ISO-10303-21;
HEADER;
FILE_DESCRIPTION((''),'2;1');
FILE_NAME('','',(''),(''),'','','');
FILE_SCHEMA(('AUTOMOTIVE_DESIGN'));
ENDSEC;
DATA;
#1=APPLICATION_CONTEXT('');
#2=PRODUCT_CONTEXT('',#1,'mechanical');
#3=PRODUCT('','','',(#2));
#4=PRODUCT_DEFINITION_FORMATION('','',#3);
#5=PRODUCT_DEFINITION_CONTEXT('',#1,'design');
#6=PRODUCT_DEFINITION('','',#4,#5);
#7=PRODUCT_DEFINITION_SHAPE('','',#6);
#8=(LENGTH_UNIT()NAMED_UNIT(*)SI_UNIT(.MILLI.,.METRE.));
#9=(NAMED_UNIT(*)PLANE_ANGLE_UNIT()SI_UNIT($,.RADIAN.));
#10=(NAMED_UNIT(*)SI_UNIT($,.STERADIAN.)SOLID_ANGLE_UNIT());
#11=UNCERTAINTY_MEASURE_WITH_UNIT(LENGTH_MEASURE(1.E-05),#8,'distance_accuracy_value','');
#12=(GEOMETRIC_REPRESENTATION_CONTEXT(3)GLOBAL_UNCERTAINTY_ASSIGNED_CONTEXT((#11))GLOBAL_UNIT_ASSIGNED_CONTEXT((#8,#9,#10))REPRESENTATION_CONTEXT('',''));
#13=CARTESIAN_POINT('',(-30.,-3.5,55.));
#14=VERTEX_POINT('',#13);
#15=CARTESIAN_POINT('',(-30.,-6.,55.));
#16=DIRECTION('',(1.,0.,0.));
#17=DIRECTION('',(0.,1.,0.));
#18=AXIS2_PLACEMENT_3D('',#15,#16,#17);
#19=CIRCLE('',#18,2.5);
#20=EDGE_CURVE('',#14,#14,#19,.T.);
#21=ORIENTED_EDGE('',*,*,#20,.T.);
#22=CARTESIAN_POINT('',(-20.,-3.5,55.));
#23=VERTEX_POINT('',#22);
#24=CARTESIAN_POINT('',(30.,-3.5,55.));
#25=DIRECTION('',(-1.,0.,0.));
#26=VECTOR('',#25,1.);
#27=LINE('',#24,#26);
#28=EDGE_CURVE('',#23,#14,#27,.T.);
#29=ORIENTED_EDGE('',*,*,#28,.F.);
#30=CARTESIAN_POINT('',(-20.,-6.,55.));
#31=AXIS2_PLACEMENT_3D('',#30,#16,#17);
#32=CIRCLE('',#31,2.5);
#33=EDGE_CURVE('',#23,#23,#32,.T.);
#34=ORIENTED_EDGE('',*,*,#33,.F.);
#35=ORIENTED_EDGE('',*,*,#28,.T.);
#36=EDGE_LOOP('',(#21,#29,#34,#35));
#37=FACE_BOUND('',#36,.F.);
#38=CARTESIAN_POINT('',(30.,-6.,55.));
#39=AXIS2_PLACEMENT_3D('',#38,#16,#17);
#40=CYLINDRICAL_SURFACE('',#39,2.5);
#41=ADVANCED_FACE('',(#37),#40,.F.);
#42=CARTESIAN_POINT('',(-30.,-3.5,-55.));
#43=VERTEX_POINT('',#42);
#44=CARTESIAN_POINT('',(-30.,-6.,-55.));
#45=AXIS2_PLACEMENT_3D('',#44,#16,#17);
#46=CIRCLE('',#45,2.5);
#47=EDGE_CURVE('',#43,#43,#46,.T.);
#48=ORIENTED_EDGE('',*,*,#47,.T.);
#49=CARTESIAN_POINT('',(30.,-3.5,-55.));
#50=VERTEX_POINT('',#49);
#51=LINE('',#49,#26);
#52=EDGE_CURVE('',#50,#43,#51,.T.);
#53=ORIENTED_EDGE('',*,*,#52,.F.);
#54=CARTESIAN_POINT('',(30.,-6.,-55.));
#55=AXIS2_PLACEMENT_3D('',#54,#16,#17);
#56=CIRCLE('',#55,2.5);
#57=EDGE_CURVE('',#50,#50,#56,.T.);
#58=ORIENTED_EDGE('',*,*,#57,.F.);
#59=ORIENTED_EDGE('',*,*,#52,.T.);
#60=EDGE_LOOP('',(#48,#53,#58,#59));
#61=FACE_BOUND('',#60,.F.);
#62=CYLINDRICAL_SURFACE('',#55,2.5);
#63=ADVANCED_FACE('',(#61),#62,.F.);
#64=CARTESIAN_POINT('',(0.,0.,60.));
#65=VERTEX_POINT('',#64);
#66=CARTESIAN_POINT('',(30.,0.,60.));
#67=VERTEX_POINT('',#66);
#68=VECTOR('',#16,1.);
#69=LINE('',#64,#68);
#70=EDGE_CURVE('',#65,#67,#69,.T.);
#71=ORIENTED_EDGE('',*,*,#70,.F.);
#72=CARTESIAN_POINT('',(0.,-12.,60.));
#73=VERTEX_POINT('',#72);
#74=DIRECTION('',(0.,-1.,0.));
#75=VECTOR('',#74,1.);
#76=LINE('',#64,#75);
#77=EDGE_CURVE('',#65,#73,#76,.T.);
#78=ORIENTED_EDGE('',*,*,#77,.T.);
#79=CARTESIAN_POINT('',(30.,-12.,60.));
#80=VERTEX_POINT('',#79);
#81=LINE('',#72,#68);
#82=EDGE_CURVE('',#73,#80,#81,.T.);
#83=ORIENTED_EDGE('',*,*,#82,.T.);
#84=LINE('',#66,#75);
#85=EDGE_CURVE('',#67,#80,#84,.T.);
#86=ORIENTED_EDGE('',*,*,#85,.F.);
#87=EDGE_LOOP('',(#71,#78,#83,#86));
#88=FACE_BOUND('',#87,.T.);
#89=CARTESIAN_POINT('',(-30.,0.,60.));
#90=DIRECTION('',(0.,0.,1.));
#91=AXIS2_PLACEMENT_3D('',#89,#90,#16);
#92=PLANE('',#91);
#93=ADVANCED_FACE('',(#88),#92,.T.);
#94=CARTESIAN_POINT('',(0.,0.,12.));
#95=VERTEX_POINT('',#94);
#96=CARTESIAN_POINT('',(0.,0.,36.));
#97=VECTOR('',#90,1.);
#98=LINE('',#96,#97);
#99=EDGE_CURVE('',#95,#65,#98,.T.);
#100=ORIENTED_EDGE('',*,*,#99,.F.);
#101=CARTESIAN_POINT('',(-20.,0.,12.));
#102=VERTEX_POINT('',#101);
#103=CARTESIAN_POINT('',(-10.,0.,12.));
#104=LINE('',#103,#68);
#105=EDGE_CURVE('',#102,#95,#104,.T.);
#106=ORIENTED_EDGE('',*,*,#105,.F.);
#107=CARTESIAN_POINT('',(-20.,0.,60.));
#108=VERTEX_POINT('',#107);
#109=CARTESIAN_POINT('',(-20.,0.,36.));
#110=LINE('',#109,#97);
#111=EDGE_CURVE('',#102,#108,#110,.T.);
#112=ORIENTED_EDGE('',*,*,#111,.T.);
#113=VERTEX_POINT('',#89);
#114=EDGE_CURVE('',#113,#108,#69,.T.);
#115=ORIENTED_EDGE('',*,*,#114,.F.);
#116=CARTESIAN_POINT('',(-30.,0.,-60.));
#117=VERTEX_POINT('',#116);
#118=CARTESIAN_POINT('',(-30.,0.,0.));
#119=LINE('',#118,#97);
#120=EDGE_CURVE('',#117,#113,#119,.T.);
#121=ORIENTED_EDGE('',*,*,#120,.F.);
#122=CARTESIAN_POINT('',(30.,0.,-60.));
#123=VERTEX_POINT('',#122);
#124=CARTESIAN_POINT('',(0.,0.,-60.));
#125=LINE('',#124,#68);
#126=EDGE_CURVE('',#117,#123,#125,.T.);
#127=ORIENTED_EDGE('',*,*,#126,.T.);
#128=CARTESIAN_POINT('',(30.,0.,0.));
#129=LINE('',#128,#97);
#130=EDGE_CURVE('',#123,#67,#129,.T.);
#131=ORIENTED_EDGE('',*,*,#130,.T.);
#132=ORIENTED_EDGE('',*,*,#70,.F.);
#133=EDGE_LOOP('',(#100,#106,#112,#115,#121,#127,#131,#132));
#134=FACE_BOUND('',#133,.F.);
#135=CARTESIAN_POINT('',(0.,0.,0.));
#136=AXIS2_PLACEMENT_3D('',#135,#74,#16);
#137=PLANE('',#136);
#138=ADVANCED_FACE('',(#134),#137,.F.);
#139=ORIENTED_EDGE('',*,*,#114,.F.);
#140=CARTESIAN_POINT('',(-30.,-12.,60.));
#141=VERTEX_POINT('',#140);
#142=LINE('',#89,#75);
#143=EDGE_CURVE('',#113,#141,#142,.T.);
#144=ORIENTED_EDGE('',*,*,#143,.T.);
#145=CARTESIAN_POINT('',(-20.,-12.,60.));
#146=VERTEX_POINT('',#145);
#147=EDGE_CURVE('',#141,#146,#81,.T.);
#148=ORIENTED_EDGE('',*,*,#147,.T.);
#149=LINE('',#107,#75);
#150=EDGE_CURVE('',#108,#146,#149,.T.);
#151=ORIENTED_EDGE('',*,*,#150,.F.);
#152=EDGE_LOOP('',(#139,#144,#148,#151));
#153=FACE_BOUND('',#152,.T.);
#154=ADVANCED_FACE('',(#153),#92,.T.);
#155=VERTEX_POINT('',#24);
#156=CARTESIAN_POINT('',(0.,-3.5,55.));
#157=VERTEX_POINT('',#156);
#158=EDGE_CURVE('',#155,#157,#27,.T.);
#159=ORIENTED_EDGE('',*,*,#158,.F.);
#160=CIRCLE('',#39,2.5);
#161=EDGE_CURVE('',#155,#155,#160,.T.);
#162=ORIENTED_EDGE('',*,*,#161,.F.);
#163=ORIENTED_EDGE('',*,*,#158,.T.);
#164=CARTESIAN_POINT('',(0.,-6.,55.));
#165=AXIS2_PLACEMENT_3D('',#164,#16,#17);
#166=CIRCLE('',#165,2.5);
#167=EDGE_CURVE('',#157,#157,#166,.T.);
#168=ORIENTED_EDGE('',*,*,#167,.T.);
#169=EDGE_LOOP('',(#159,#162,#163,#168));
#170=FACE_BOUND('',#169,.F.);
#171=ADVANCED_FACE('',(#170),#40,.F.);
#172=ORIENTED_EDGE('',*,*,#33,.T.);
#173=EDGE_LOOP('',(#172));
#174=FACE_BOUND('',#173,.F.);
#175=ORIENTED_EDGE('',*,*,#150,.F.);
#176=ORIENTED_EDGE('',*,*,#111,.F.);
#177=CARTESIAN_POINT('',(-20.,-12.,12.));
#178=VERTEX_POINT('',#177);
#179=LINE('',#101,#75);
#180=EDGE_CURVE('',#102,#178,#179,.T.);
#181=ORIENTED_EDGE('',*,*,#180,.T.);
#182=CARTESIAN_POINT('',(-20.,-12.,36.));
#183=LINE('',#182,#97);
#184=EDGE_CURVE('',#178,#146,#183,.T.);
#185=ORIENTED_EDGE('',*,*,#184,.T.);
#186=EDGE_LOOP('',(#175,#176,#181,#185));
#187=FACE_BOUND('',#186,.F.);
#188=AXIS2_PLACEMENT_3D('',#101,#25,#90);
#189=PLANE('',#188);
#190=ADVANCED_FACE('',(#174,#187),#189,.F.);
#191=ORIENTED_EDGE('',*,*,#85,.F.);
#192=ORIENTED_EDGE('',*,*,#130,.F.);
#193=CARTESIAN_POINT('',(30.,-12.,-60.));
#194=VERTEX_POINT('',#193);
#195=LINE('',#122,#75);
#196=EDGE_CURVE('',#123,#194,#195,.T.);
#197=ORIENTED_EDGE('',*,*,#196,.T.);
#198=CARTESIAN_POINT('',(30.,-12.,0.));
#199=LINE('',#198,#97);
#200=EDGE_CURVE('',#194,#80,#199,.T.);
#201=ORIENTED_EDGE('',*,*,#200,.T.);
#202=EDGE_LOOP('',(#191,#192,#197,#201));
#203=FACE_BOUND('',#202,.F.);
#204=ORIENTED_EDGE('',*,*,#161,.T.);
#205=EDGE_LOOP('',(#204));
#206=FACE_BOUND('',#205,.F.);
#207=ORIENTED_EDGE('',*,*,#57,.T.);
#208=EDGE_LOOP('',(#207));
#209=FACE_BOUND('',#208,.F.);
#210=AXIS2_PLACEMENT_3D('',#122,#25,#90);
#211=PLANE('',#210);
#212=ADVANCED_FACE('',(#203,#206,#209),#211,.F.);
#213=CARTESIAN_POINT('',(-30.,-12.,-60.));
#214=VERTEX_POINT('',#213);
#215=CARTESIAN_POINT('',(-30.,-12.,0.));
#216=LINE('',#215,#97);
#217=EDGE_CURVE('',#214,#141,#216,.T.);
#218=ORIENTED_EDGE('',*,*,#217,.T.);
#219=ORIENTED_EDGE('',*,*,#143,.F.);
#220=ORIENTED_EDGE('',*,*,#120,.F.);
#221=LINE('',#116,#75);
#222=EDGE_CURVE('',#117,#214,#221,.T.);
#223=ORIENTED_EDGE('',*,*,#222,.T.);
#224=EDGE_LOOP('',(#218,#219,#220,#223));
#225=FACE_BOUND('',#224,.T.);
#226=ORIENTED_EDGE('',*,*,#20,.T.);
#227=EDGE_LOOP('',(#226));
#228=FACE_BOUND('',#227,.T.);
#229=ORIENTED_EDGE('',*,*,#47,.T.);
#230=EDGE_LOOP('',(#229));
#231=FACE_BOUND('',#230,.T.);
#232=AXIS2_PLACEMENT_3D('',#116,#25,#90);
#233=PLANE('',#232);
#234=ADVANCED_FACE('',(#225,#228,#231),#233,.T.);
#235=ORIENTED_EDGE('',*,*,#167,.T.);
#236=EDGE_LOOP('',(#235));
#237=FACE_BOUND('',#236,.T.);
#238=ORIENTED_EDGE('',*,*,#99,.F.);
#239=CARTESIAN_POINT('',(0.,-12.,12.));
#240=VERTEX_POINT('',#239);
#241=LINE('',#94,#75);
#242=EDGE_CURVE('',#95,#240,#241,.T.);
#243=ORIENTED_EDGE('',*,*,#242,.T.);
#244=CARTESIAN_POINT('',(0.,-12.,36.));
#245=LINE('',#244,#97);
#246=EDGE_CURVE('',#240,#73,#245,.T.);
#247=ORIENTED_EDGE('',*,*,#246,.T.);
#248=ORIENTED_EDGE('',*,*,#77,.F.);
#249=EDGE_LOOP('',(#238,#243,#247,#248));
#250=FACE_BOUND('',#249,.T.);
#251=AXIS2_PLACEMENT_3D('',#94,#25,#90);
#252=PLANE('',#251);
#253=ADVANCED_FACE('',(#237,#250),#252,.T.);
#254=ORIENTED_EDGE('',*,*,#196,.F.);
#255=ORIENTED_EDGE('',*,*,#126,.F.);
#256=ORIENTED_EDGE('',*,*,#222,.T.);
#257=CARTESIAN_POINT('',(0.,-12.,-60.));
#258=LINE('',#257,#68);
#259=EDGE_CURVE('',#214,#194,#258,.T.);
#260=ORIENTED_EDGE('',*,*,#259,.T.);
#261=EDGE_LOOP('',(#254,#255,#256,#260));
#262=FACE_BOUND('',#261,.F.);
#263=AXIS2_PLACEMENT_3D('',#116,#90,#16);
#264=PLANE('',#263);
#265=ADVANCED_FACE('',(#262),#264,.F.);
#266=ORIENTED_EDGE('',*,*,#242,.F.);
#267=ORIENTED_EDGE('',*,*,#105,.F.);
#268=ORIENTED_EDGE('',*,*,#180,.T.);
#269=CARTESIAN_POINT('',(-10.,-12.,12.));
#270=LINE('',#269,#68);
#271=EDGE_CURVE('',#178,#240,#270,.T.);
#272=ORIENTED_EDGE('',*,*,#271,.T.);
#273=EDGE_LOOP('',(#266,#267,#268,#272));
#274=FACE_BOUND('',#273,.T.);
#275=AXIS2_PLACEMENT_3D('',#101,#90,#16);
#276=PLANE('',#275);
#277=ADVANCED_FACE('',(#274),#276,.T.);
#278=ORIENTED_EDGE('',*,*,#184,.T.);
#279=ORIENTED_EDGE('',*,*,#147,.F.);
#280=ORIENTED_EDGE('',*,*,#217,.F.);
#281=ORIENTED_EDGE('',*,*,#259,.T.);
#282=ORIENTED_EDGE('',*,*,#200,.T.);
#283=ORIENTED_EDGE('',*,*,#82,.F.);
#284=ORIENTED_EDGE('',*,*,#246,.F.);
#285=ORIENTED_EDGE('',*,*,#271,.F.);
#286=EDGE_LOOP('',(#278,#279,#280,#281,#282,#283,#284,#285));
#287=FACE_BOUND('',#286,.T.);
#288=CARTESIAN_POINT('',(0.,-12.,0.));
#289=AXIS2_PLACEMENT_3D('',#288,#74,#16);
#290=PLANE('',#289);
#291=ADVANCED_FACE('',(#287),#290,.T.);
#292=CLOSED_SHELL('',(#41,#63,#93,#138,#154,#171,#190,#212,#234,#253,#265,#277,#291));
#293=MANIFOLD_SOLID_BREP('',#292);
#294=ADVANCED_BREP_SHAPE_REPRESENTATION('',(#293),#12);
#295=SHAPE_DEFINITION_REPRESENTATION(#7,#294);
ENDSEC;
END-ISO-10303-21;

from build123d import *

# Parameters (mm, degrees)
F0_W     = 60
F0_H     = 120
F2_DEPTH = 12
F1_W     = 20
F1_H     = 48
F3_DEPTH = 12
F4_R     = 2.5
F5_DEPTH = 60.001
F6_R     = 2.5
F7_DEPTH = 152.4


with BuildPart() as f2:
    # F0 (on Front) → F2 (new body)
    with BuildSketch(Plane.XZ):
        Rectangle(F0_W, F0_H)
    extrude(amount=F2_DEPTH)

    # F1 (on face) → F3 (cut, through all)
    with BuildSketch(Plane.XZ):
        with Locations((-10, 36)):
            Rectangle(F1_W, F1_H)
    extrude(amount=F3_DEPTH, mode=Mode.SUBTRACT)

    # F4 (on face) → F5 (cut, through all)
    with BuildSketch(Plane.YZ.offset(30)):
        with Locations((-6, 55)):
            Circle(F4_R)
    extrude(amount=-F5_DEPTH, mode=Mode.SUBTRACT)

    # F6 (on face) → F7 (cut)
    with BuildSketch(Plane.YZ.offset(30)):
        with Locations((-6, -55)):
            Circle(F6_R)
    extrude(amount=-F7_DEPTH, mode=Mode.SUBTRACT)


solid = f2.part
